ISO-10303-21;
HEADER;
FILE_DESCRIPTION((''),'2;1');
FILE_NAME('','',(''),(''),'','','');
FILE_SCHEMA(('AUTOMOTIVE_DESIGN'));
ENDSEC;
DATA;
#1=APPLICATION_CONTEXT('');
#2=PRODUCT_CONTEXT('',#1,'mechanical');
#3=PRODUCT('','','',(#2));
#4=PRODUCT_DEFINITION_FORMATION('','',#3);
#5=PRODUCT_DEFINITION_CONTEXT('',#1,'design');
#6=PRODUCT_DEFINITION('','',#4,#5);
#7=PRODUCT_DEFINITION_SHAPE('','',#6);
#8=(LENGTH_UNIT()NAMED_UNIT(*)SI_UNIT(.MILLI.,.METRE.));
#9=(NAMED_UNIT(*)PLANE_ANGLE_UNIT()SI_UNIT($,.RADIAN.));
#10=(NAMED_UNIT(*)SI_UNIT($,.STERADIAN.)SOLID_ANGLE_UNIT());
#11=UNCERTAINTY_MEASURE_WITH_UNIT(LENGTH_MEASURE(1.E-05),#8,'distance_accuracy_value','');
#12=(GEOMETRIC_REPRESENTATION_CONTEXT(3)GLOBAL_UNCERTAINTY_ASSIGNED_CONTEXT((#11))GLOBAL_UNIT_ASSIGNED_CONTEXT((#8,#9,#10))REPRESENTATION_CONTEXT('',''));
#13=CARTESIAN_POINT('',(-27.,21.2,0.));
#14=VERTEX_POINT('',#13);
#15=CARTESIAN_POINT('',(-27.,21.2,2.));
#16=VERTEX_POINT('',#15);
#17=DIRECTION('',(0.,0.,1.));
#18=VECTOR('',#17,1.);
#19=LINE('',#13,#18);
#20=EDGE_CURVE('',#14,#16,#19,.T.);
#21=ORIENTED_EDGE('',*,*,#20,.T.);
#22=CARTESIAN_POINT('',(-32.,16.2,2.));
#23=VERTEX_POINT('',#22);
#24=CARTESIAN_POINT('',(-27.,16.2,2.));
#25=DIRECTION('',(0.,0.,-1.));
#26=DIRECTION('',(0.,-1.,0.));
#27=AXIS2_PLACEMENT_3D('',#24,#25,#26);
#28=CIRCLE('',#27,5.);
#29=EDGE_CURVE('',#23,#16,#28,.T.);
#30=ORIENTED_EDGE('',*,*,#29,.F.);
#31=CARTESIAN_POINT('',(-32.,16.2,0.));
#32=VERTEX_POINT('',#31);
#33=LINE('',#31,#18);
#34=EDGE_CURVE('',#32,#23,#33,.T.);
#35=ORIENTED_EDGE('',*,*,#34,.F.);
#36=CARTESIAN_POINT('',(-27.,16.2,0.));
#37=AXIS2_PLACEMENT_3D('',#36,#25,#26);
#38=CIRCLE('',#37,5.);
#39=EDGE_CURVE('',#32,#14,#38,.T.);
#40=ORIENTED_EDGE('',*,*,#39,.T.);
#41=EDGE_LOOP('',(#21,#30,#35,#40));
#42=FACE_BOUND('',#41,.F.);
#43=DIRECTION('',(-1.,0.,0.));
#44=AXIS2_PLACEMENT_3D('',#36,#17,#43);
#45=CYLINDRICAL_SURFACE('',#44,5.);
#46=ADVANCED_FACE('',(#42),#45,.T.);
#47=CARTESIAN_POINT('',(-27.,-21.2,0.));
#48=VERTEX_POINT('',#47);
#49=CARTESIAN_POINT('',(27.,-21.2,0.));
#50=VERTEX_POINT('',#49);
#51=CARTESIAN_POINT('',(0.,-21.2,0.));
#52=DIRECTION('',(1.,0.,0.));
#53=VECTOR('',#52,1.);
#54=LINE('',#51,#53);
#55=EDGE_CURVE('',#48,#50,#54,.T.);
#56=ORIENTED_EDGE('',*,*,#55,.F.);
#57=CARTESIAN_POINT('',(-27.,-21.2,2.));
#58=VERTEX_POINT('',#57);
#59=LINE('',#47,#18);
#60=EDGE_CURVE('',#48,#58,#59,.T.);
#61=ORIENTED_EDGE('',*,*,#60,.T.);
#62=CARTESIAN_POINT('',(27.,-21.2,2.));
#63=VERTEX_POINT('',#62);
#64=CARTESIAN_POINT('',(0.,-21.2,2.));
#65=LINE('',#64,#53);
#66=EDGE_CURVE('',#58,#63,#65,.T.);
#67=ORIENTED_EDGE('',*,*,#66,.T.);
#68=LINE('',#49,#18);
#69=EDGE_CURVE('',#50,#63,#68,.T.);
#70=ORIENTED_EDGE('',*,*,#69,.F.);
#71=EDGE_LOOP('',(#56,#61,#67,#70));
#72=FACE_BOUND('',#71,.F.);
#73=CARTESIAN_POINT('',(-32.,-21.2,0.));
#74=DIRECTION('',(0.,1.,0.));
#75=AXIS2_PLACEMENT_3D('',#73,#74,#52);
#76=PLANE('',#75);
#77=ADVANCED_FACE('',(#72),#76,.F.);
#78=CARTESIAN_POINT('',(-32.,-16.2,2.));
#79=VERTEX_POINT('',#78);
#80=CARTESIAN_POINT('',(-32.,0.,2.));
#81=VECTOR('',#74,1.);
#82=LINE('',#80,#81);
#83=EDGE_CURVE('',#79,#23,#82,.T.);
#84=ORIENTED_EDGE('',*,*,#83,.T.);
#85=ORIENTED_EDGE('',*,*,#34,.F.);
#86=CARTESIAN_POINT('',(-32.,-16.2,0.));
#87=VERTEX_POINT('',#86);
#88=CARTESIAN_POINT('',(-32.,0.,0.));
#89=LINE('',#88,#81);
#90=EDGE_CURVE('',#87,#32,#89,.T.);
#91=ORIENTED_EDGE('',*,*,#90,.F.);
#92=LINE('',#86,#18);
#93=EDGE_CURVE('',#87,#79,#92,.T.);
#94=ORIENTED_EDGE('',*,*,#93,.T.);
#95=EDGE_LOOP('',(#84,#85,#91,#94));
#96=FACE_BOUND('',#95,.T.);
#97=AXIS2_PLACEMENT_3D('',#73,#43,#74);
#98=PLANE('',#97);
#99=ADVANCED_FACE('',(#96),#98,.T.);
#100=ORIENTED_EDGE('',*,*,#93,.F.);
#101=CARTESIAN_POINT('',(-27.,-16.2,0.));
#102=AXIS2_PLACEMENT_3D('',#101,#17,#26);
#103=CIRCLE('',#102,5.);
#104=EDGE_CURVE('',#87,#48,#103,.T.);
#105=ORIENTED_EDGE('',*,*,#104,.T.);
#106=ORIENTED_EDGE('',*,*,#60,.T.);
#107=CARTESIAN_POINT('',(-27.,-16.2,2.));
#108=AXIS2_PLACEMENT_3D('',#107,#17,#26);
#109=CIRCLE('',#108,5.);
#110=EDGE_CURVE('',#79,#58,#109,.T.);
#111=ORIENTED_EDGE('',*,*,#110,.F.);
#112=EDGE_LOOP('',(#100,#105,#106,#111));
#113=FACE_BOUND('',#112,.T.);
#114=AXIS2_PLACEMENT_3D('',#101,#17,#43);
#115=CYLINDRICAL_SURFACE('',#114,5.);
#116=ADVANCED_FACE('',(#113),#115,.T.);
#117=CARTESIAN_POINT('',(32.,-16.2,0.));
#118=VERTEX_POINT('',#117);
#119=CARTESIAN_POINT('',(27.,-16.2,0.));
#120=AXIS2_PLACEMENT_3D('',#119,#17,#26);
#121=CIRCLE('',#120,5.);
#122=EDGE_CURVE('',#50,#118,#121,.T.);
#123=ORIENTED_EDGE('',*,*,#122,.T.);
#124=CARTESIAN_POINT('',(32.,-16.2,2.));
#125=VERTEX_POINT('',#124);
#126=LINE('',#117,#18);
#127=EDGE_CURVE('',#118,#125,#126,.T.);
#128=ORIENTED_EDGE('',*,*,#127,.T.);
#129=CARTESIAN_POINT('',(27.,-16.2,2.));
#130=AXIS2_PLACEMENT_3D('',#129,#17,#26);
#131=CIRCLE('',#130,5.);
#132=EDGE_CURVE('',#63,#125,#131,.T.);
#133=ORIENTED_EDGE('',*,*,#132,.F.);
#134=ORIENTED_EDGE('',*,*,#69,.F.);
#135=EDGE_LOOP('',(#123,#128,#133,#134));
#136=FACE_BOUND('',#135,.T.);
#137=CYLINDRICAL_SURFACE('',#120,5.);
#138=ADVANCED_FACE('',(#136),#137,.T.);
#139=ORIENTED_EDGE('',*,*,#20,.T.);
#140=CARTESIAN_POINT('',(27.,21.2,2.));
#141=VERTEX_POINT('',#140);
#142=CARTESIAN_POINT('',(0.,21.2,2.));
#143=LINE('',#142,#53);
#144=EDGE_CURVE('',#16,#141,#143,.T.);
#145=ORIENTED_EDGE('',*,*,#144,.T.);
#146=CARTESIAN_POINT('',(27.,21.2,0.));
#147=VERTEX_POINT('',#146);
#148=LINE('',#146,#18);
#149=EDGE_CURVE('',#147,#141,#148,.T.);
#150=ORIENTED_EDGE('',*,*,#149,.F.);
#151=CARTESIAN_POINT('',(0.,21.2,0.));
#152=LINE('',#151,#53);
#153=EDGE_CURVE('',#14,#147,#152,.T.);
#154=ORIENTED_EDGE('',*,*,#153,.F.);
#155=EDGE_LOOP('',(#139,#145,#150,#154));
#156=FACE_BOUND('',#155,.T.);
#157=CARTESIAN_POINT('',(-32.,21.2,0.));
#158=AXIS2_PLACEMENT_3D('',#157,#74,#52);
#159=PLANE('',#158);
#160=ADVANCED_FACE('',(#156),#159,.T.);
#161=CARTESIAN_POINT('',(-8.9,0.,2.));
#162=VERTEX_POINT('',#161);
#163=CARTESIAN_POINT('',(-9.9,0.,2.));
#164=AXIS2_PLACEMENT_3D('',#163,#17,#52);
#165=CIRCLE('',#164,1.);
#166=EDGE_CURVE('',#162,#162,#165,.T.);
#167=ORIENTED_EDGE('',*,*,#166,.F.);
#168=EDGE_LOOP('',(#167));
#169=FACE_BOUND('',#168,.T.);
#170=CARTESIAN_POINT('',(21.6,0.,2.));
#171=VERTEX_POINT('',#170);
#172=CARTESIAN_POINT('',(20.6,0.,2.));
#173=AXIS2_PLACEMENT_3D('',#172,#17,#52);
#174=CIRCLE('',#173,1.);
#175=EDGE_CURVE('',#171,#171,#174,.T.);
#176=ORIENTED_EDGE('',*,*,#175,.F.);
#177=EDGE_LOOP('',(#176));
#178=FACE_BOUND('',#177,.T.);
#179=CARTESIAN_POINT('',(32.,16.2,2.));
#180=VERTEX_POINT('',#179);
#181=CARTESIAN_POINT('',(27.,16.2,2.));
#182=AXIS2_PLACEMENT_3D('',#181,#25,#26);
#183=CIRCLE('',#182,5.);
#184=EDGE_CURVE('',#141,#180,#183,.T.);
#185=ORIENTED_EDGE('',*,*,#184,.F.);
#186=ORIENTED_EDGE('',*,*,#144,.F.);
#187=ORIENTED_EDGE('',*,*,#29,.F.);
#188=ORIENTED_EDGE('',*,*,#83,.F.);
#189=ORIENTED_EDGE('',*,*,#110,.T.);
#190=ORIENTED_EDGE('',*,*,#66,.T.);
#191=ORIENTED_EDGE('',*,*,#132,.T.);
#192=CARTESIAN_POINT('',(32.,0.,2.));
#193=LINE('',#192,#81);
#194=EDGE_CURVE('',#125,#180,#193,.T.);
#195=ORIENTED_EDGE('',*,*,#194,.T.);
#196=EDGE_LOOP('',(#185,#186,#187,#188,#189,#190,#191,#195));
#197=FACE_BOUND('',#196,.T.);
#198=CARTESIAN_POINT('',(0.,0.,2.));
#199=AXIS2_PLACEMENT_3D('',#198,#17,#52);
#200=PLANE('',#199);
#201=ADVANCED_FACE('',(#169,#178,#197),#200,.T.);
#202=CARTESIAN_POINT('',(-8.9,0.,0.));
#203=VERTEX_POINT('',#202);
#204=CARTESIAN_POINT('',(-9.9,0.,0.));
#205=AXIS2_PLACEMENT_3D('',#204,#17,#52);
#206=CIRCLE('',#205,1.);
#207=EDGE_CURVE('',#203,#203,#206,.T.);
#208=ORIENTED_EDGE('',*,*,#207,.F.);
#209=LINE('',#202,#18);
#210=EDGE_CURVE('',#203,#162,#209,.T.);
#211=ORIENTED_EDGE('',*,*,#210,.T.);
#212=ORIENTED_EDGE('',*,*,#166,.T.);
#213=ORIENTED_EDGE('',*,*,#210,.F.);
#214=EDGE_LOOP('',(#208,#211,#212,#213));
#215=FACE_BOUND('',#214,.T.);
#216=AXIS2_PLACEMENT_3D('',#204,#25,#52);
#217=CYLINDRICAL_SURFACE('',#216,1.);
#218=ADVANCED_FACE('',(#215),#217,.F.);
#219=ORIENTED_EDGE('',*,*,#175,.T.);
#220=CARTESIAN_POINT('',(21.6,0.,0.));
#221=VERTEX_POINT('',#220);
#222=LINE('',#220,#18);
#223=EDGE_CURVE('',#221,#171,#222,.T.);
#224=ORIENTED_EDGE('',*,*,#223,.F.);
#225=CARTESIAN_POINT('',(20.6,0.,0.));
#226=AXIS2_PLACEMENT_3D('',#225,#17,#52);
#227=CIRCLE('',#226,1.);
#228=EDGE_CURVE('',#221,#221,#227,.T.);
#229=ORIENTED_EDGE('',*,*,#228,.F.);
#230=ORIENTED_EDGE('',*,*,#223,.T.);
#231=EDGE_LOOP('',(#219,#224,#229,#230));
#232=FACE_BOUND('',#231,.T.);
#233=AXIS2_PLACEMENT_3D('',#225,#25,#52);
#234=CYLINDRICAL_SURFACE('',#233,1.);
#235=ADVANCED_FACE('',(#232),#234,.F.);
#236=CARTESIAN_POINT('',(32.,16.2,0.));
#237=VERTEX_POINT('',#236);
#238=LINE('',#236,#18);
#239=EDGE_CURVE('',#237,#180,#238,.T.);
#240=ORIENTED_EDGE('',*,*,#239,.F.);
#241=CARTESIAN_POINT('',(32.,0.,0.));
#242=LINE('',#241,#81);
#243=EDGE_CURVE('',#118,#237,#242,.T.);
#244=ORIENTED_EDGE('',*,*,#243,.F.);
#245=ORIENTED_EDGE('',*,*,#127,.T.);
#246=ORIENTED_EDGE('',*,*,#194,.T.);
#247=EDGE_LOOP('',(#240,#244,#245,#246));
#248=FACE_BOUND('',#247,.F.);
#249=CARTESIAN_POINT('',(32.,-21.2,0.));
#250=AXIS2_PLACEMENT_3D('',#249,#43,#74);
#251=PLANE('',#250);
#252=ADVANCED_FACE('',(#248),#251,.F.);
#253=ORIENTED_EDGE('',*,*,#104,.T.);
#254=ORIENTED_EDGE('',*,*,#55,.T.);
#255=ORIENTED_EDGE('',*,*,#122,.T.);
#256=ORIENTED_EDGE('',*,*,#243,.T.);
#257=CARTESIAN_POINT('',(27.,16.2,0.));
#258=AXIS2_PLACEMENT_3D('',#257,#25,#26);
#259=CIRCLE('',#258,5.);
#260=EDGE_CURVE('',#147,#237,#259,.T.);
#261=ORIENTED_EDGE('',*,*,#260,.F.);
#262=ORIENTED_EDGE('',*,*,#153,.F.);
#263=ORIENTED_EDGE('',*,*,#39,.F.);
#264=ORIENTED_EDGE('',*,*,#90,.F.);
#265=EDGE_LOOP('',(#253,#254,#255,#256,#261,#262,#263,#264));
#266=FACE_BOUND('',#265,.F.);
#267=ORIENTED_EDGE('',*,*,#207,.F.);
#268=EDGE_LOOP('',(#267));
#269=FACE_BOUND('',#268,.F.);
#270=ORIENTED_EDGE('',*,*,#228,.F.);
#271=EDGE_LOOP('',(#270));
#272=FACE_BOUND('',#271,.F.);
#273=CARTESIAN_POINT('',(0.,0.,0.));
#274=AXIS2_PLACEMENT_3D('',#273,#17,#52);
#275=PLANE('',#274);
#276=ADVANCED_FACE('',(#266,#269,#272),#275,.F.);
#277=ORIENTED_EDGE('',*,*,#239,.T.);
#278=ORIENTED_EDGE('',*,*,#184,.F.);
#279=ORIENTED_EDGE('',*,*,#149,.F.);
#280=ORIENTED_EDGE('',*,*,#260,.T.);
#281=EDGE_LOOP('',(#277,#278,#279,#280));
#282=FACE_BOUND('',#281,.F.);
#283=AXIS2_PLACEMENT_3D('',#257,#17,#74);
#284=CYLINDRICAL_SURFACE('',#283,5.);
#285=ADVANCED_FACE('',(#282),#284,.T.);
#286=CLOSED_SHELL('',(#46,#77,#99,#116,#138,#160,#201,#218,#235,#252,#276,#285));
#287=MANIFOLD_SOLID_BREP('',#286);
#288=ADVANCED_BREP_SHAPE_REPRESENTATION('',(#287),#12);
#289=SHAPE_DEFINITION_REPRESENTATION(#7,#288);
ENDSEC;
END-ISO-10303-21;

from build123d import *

# Parameters (mm, degrees)
F0_W     = 64
F0_H     = 42.4
F0_R     = 1
F1_DEPTH = 2
F2_R     = 5


with BuildPart() as f1:
    # F0 (on Top) → F1 (new body)
    with BuildSketch(Plane.XY):
        Rectangle(F0_W, F0_H)
        with Locations((-9.9, 0)):
            Circle(F0_R, mode=Mode.SUBTRACT)
        with Locations((20.6, 0)):
            Circle(F0_R, mode=Mode.SUBTRACT)
    extrude(amount=F1_DEPTH)

    # F2
    f2_edges = [f1.edges().sort_by_distance(p)[0] for p in [
        (32, -21.2, 1),
        (32, 21.2, 1),
        (-32, 21.2, 1),
        (-32, -21.2, 1),
    ]]
    fillet(f2_edges, radius=F2_R)


solid = f1.part
